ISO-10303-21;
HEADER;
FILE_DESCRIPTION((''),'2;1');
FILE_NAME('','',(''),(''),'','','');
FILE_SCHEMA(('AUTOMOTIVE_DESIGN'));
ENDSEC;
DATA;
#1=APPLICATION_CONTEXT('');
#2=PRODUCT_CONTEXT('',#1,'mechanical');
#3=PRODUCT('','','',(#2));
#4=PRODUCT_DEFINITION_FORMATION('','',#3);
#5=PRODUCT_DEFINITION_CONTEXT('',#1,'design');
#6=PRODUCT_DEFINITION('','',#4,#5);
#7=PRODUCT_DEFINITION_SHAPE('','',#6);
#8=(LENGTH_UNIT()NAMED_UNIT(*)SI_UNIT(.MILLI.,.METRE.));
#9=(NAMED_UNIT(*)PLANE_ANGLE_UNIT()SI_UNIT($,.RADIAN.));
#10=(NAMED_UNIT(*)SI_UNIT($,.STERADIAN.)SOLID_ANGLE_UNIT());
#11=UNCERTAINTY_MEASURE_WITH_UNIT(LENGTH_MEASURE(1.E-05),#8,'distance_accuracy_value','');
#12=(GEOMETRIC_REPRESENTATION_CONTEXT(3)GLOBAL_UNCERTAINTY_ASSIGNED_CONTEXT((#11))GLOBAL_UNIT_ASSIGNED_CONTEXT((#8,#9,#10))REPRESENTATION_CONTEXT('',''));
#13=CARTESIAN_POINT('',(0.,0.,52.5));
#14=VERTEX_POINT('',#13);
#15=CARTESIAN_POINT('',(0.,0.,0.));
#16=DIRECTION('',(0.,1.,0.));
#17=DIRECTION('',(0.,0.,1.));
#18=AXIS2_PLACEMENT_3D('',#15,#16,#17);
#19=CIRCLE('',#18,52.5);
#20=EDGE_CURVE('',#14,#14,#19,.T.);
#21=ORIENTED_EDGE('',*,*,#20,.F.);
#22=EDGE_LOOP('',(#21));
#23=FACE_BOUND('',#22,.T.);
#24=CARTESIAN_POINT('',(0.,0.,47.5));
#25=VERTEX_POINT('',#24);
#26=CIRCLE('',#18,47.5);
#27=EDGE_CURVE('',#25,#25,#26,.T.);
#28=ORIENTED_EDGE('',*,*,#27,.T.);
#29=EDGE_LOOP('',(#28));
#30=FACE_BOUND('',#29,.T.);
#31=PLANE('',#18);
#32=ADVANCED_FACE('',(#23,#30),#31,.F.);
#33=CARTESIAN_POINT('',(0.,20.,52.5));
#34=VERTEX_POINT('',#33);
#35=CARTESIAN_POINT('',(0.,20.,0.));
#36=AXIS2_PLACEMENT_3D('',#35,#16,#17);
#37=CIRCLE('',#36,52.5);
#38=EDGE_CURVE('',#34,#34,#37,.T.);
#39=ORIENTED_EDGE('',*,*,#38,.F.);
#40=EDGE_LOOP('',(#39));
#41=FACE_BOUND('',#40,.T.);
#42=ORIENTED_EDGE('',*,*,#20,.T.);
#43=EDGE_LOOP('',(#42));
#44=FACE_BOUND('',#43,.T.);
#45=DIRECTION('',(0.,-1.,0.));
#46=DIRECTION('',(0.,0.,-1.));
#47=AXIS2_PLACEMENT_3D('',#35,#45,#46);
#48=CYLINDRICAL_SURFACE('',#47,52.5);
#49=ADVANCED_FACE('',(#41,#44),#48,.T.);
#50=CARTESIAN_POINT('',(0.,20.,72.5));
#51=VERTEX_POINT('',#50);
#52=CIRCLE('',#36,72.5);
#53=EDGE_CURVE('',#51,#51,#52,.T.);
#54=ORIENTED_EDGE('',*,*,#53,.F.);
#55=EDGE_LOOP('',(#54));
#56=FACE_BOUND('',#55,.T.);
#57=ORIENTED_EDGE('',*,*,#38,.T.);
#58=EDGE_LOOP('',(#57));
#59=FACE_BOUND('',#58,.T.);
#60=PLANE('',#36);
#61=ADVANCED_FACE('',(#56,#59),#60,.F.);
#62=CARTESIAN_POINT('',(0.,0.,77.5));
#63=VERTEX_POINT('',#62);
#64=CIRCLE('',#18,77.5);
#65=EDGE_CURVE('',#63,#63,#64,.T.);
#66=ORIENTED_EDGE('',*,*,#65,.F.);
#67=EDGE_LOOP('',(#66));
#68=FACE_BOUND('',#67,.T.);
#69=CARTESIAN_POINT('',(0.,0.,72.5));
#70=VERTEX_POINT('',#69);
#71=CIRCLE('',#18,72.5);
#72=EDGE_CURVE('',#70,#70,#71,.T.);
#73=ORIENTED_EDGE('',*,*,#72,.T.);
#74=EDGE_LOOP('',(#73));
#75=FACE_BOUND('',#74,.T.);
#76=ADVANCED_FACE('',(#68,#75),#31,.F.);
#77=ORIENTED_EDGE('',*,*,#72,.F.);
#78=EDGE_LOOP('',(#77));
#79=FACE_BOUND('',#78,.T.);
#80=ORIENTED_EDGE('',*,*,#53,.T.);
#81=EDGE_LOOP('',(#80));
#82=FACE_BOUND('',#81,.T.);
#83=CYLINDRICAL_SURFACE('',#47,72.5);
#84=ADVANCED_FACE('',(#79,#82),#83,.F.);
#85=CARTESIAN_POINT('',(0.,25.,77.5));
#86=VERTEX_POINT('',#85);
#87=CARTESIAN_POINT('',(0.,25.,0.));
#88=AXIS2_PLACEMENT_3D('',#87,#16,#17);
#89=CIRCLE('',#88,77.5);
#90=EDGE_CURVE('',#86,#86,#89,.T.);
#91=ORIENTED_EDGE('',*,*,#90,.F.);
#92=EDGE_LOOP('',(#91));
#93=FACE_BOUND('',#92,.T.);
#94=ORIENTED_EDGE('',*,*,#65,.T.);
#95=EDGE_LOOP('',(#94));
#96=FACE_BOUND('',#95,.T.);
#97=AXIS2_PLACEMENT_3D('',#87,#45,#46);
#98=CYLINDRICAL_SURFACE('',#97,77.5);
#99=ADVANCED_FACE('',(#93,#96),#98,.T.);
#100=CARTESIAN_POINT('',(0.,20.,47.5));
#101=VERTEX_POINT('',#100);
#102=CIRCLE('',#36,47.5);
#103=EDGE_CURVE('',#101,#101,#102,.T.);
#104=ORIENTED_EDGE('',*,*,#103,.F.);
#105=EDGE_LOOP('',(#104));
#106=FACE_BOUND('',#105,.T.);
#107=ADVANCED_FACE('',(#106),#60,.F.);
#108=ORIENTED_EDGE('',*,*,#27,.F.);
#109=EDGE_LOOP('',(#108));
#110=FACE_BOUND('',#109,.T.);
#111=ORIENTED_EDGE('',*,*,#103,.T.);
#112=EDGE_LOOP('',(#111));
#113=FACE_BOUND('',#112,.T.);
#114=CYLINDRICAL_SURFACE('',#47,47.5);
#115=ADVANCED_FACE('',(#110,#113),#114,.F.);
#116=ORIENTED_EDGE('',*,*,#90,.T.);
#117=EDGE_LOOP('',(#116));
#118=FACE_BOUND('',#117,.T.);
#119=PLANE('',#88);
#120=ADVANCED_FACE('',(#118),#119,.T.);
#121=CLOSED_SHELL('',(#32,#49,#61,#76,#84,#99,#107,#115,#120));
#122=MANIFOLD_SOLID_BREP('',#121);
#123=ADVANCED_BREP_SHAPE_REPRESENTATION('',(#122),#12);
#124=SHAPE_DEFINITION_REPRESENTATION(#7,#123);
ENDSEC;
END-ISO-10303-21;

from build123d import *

# Parameters (mm, degrees)
SKETCH2_R             = 52.5
SKETCH2_R_2           = 47.5
BOSS_EXTRUDE1_DEPTH   = 20
SKETCH2_R_3           = 77.5
SKETCH2_R_4           = 72.5
BOSS_EXTRUDE1_2_DEPTH = 20
SKETCH3_R             = 77.5
BOSS_EXTRUDE2_DEPTH   = 5


with BuildPart() as part:
    # Sketch2 → Boss-Extrude1 (new body)
    with BuildSketch(Plane(origin=(0, 0, 0), x_dir=(1, 0, 0), z_dir=(0, 1, 0))):
        Circle(SKETCH2_R)
        Circle(SKETCH2_R_2, mode=Mode.SUBTRACT)
    extrude(amount=BOSS_EXTRUDE1_DEPTH)



with BuildPart() as body_2:
    # Sketch2 → Boss-Extrude1 2 (new body)
    with BuildSketch(Plane(origin=(0, 0, 0), x_dir=(1, 0, 0), z_dir=(0, 1, 0))):
        Circle(SKETCH2_R_3)
        Circle(SKETCH2_R_4, mode=Mode.SUBTRACT)
    extrude(amount=BOSS_EXTRUDE1_2_DEPTH)


with BuildPart() as part_1:
    add(part.part)

    add(body_2.part)  # Boss-Extrude2 merges body 2
    # Sketch3 → Boss-Extrude2 (add)
    with BuildSketch(Plane(origin=(0, 20, 0), x_dir=(1, 0, 0), z_dir=(0, 1, 0))):
        Circle(SKETCH3_R)
    extrude(amount=BOSS_EXTRUDE2_DEPTH)


solid = part_1.part
